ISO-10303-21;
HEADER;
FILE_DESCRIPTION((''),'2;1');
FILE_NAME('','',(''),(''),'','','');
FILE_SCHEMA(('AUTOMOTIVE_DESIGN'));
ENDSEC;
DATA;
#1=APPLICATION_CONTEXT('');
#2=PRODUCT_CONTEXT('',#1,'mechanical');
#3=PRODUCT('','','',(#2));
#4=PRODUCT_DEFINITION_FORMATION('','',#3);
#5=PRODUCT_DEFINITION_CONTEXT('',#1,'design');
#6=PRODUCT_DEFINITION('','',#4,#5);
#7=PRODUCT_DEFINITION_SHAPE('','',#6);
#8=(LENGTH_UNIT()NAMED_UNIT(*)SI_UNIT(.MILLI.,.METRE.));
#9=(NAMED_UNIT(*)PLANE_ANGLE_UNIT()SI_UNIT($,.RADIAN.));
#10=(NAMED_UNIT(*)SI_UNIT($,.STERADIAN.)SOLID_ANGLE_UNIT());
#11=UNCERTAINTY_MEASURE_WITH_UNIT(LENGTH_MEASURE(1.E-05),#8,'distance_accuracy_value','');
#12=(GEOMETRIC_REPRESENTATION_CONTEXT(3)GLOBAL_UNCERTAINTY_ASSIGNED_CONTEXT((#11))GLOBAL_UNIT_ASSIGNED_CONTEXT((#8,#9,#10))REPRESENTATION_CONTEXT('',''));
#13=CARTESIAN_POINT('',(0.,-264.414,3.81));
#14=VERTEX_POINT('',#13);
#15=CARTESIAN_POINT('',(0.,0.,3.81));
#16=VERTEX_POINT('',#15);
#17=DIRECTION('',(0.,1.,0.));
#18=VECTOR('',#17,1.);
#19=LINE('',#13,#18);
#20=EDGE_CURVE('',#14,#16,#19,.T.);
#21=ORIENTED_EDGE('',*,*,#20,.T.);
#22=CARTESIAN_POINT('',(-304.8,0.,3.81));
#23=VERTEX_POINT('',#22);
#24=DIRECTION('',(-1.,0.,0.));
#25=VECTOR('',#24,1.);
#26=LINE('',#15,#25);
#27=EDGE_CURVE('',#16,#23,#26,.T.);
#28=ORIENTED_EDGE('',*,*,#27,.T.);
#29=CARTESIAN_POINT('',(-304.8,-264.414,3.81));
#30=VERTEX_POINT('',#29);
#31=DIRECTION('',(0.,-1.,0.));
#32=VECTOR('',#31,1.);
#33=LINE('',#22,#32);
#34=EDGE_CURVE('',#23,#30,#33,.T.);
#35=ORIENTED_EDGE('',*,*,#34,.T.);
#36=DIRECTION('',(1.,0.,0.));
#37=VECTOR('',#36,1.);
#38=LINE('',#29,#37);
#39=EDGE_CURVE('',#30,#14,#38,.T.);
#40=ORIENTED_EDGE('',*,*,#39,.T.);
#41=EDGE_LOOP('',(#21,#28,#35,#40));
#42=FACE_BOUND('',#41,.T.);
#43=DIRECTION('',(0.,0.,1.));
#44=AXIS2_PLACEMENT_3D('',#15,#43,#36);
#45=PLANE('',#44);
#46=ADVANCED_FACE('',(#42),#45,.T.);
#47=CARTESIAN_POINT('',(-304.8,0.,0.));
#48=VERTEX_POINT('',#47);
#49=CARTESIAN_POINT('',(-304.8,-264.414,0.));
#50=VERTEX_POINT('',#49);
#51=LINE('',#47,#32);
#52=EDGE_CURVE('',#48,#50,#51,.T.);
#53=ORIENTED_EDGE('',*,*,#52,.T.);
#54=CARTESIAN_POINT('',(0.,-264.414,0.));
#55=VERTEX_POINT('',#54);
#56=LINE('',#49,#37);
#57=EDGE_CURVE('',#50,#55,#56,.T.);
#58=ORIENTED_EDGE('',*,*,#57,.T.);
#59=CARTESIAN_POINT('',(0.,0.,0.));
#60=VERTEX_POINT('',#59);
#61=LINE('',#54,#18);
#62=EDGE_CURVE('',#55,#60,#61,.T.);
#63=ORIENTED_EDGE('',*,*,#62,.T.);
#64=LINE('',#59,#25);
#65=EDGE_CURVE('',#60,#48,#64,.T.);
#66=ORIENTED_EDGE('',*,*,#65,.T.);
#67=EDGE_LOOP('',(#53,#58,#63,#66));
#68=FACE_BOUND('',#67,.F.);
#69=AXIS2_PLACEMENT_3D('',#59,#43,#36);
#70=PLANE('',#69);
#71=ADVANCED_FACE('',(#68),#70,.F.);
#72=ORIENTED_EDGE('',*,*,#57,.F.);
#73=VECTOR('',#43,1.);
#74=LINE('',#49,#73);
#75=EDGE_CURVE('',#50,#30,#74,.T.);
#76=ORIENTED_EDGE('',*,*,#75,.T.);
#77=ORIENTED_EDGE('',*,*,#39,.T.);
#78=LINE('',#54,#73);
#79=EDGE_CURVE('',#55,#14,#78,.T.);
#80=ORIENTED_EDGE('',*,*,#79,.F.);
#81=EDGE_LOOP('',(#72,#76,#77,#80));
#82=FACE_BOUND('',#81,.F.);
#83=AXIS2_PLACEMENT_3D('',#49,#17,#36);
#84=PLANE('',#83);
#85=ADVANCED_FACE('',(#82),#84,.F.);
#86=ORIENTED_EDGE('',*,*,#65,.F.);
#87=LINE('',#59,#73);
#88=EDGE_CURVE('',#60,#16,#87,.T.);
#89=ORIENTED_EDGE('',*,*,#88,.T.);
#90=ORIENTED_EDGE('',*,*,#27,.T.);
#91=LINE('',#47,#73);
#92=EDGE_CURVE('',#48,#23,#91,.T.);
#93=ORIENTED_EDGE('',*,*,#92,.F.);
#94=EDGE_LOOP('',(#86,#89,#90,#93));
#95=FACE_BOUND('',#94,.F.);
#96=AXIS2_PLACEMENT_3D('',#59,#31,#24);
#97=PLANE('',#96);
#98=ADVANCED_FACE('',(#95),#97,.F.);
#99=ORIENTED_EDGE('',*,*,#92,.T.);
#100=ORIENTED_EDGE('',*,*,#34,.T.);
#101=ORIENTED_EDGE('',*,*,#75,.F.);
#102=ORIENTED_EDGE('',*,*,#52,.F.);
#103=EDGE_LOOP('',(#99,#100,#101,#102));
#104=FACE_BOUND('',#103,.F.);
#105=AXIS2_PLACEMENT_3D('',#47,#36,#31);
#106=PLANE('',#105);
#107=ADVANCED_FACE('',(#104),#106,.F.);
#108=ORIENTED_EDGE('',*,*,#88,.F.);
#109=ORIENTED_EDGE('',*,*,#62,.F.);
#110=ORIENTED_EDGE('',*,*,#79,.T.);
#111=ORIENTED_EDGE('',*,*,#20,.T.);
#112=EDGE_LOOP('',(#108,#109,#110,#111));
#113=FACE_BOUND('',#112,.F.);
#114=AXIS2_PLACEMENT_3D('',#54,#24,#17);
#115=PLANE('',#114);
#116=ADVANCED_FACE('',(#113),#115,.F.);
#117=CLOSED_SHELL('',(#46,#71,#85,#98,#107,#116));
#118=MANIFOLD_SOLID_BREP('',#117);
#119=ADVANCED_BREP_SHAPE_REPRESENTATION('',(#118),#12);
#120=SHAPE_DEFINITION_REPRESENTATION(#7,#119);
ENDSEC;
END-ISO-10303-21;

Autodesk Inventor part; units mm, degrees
ref_plane "YZ Plane" through (0, 0, 0) normal (1, 0, 0) x (0, 1, 0)
ref_plane "XZ Plane" through (0, 0, 0) normal (0, 1, 0) x (-1, 0, 0)
ref_plane "XY Plane" through (0, 0, 0) normal (0, 0, 1) x (1, 0, 0)
sketch "Sketch1" plane through (0, 0, 0) normal (0, 0, 1) x (1, 0, 0)
  line L0 (0, 0) -> (-304.8, 0)
  line L1 (-304.8, 0) -> (-304.8, -264.414)
  line L2 (-304.8, -264.414) -> (0, -264.414)
  line L3 (0, -264.414) -> (0, 0)
  dimension "d0" = 304.8
  dimension "d1" = 264.414
extrude "Extrusion1" add sketch "Sketch1" along normal blind 3.81
properties part number "ElectronicPlate"
